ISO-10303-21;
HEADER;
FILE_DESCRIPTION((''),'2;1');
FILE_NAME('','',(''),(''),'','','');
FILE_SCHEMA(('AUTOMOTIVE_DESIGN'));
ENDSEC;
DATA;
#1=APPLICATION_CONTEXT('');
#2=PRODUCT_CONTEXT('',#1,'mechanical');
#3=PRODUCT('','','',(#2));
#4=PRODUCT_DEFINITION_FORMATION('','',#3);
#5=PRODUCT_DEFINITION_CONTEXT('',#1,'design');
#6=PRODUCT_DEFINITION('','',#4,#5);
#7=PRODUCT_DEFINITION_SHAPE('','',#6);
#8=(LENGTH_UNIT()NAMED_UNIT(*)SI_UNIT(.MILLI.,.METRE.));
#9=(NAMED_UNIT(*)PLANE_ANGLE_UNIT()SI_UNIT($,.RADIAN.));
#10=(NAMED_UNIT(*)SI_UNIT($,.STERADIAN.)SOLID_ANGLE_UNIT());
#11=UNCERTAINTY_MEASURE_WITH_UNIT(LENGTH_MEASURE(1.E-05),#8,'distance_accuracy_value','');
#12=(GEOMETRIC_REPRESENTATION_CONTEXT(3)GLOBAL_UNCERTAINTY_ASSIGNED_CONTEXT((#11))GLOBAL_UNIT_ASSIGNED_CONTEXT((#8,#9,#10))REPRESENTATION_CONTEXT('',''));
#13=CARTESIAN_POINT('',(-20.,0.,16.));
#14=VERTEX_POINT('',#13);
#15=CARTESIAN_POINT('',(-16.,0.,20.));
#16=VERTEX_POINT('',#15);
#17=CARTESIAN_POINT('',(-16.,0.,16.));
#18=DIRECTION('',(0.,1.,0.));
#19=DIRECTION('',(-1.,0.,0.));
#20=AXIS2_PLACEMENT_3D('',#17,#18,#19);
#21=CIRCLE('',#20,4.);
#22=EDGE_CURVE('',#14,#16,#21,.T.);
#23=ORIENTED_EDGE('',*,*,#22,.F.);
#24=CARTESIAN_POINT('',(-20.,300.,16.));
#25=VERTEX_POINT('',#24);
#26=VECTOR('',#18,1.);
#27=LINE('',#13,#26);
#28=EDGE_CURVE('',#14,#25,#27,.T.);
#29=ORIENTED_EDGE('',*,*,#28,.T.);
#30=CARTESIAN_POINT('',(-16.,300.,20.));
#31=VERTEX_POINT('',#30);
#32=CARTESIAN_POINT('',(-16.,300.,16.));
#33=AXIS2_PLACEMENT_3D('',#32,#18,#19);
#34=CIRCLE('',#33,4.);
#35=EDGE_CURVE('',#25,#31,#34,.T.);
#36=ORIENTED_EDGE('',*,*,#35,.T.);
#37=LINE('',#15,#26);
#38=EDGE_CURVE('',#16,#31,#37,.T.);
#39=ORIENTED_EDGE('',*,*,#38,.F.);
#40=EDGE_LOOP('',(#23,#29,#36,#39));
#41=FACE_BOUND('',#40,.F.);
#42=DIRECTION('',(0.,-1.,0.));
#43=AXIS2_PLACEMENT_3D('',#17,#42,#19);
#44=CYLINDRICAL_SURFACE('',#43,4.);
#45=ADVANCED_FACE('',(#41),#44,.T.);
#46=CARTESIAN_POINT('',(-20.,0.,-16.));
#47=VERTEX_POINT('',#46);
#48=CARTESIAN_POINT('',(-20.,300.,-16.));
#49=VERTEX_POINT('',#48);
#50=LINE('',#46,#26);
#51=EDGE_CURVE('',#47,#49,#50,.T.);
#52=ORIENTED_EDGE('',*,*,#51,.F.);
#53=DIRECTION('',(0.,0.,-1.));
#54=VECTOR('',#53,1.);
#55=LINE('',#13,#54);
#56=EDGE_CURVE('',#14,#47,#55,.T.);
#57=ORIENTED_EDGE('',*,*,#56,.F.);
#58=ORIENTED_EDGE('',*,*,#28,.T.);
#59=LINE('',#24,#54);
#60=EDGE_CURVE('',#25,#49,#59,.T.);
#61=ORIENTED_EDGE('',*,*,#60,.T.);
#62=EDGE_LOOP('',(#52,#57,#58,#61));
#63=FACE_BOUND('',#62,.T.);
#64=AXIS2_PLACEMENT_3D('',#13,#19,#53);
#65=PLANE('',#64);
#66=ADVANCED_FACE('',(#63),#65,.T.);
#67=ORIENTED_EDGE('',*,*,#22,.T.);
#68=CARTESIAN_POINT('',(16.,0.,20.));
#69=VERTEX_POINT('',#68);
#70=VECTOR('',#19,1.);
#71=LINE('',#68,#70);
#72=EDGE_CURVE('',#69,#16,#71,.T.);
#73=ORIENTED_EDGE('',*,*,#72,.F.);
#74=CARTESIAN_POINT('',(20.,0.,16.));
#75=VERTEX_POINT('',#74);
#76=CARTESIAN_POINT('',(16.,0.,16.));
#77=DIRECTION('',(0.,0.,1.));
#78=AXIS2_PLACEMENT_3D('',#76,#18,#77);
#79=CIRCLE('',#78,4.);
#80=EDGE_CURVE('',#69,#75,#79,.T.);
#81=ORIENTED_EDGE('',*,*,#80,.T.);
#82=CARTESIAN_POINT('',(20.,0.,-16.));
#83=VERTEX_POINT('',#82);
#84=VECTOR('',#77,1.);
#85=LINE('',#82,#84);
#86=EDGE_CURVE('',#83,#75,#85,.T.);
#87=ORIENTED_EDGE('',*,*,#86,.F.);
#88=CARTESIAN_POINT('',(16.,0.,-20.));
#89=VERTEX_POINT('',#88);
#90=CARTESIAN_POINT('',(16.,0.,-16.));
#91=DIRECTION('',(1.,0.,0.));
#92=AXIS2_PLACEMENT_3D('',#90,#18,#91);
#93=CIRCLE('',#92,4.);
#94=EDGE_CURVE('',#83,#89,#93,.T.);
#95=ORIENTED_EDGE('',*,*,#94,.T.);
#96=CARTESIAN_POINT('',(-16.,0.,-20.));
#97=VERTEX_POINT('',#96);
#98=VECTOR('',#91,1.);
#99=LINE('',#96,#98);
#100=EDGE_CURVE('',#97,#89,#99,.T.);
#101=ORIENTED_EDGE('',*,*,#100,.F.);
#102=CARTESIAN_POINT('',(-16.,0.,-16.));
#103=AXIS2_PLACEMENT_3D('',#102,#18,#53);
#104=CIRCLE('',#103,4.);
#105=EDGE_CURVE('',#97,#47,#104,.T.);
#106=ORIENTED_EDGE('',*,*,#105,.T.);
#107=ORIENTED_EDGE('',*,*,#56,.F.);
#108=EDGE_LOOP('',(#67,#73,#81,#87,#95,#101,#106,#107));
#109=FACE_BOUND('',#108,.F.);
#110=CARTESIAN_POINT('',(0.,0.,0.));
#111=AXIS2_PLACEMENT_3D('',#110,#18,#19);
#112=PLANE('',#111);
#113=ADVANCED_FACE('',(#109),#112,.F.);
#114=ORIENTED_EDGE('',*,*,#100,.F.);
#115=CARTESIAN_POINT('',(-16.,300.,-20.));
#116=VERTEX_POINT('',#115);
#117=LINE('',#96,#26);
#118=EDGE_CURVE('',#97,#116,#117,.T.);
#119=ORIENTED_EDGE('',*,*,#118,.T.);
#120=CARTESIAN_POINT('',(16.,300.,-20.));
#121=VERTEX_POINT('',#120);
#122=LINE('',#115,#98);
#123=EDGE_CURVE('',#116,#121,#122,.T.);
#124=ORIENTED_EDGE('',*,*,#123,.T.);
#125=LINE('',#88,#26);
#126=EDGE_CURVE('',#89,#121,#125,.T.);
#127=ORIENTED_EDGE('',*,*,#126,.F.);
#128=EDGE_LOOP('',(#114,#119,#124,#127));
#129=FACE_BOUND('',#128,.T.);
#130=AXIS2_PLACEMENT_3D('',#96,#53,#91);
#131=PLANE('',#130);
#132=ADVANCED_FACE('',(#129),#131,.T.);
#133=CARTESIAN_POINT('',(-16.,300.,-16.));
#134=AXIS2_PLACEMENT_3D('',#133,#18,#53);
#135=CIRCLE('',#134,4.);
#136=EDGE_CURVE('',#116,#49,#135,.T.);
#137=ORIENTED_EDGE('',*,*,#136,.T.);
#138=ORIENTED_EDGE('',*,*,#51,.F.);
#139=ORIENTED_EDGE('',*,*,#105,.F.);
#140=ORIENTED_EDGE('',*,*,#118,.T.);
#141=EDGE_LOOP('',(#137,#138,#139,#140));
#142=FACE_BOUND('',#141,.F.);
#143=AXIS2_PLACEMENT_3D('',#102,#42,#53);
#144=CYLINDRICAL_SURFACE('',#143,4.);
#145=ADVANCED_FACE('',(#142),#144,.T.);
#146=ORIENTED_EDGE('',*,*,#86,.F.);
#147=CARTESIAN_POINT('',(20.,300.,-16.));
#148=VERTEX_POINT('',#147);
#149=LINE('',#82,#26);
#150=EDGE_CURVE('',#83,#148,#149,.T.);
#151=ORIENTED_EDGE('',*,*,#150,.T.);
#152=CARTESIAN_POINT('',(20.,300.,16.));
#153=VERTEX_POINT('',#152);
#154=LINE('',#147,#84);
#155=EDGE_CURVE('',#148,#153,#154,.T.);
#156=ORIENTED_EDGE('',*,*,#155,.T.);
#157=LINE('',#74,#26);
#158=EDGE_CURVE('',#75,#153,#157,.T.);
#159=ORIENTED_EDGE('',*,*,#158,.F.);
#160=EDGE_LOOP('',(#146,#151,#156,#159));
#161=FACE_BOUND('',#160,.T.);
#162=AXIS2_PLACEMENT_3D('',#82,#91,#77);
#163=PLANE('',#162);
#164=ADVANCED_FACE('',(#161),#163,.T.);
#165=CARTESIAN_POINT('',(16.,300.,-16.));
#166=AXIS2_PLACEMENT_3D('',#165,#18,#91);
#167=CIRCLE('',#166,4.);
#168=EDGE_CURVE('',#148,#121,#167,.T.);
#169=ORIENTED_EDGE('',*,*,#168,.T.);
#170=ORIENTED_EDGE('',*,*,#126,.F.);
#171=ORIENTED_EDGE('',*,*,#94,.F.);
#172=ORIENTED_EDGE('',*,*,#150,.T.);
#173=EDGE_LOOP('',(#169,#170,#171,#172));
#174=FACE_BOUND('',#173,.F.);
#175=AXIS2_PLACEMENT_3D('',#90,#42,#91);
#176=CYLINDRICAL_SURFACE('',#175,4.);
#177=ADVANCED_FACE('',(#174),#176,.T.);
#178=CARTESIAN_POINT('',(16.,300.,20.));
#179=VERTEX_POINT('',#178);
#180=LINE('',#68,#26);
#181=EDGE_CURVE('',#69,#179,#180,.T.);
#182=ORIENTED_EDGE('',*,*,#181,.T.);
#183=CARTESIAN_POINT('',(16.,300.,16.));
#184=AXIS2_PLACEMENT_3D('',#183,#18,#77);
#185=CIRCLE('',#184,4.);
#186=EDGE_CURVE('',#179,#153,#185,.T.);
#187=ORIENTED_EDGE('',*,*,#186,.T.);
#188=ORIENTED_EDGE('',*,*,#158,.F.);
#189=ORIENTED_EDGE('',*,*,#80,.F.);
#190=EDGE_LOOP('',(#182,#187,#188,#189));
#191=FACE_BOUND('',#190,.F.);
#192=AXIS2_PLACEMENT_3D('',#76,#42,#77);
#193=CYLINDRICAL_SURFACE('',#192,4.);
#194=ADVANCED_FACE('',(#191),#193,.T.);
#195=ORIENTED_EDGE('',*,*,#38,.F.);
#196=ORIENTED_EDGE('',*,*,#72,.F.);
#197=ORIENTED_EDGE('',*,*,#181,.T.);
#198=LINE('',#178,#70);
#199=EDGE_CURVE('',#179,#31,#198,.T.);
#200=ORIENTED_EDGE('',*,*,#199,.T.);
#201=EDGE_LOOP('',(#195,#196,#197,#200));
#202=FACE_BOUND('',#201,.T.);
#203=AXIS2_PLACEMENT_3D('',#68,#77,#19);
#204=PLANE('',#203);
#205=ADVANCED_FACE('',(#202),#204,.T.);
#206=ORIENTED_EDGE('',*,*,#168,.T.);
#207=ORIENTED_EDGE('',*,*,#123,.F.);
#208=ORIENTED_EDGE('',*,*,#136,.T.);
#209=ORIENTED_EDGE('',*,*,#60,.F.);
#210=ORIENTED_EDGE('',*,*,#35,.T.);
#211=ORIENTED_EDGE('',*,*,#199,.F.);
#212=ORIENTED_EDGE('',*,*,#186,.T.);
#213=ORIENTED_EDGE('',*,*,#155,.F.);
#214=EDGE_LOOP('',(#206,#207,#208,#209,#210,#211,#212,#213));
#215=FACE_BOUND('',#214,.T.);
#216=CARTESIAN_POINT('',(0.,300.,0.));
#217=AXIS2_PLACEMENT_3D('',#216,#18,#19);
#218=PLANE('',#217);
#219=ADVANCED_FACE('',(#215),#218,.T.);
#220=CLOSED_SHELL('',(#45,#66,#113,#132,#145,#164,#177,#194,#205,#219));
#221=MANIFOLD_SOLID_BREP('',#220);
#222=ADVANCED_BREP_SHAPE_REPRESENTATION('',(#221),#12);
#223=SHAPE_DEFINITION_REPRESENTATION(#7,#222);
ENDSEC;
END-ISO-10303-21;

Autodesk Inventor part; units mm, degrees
ref_plane "YZ Plane" through (0, 0, 0) normal (1, 0, 0) x (0, 1, 0)
ref_plane "XZ Plane" through (0, 0, 0) normal (0, 1, 0) x (-1, 0, 0)
ref_plane "XY Plane" through (0, 0, 0) normal (0, 0, 1) x (1, 0, 0)
sketch "Sketch1" plane through (0, 0, 0) normal (0, 1, 0) x (-1, 0, 0)
  line L0 (12.8536, 0) -> (-12.8536, 0) construction
  line L1 (0, -18.0149) -> (0, 18.0149) construction
  line L2 (16, -20) -> (-16, -20)
  line L3 (-20, -16) -> (-20, 16)
  line L4 (-16, 20) -> (16, 20)
  line L5 (20, 16) -> (20, -16)
  arc A0 (-16, 20) -> (-20, 16) centre (-16, 16) ccw
  arc A1 (-20, -16) -> (-16, -20) centre (-16, -16) ccw
  arc A2 (16, -20) -> (20, -16) centre (16, -16) ccw
  arc A3 (20, 16) -> (16, 20) centre (16, 16) ccw
  point P0 (0, 0)
  point P1 (0, 0)
  point P2 (20, -20)
  point P3 (-20, 20)
  point P4 (-20, -20)
  point P5 (20, 20)
  dimension "d0" = 40
  dimension "d1" = 40
  dimension "d5" = 4
extrude "Extrusion1" add sketch "Sketch1" along normal blind 300
properties part number "Item4040MotorVerticalV1"
